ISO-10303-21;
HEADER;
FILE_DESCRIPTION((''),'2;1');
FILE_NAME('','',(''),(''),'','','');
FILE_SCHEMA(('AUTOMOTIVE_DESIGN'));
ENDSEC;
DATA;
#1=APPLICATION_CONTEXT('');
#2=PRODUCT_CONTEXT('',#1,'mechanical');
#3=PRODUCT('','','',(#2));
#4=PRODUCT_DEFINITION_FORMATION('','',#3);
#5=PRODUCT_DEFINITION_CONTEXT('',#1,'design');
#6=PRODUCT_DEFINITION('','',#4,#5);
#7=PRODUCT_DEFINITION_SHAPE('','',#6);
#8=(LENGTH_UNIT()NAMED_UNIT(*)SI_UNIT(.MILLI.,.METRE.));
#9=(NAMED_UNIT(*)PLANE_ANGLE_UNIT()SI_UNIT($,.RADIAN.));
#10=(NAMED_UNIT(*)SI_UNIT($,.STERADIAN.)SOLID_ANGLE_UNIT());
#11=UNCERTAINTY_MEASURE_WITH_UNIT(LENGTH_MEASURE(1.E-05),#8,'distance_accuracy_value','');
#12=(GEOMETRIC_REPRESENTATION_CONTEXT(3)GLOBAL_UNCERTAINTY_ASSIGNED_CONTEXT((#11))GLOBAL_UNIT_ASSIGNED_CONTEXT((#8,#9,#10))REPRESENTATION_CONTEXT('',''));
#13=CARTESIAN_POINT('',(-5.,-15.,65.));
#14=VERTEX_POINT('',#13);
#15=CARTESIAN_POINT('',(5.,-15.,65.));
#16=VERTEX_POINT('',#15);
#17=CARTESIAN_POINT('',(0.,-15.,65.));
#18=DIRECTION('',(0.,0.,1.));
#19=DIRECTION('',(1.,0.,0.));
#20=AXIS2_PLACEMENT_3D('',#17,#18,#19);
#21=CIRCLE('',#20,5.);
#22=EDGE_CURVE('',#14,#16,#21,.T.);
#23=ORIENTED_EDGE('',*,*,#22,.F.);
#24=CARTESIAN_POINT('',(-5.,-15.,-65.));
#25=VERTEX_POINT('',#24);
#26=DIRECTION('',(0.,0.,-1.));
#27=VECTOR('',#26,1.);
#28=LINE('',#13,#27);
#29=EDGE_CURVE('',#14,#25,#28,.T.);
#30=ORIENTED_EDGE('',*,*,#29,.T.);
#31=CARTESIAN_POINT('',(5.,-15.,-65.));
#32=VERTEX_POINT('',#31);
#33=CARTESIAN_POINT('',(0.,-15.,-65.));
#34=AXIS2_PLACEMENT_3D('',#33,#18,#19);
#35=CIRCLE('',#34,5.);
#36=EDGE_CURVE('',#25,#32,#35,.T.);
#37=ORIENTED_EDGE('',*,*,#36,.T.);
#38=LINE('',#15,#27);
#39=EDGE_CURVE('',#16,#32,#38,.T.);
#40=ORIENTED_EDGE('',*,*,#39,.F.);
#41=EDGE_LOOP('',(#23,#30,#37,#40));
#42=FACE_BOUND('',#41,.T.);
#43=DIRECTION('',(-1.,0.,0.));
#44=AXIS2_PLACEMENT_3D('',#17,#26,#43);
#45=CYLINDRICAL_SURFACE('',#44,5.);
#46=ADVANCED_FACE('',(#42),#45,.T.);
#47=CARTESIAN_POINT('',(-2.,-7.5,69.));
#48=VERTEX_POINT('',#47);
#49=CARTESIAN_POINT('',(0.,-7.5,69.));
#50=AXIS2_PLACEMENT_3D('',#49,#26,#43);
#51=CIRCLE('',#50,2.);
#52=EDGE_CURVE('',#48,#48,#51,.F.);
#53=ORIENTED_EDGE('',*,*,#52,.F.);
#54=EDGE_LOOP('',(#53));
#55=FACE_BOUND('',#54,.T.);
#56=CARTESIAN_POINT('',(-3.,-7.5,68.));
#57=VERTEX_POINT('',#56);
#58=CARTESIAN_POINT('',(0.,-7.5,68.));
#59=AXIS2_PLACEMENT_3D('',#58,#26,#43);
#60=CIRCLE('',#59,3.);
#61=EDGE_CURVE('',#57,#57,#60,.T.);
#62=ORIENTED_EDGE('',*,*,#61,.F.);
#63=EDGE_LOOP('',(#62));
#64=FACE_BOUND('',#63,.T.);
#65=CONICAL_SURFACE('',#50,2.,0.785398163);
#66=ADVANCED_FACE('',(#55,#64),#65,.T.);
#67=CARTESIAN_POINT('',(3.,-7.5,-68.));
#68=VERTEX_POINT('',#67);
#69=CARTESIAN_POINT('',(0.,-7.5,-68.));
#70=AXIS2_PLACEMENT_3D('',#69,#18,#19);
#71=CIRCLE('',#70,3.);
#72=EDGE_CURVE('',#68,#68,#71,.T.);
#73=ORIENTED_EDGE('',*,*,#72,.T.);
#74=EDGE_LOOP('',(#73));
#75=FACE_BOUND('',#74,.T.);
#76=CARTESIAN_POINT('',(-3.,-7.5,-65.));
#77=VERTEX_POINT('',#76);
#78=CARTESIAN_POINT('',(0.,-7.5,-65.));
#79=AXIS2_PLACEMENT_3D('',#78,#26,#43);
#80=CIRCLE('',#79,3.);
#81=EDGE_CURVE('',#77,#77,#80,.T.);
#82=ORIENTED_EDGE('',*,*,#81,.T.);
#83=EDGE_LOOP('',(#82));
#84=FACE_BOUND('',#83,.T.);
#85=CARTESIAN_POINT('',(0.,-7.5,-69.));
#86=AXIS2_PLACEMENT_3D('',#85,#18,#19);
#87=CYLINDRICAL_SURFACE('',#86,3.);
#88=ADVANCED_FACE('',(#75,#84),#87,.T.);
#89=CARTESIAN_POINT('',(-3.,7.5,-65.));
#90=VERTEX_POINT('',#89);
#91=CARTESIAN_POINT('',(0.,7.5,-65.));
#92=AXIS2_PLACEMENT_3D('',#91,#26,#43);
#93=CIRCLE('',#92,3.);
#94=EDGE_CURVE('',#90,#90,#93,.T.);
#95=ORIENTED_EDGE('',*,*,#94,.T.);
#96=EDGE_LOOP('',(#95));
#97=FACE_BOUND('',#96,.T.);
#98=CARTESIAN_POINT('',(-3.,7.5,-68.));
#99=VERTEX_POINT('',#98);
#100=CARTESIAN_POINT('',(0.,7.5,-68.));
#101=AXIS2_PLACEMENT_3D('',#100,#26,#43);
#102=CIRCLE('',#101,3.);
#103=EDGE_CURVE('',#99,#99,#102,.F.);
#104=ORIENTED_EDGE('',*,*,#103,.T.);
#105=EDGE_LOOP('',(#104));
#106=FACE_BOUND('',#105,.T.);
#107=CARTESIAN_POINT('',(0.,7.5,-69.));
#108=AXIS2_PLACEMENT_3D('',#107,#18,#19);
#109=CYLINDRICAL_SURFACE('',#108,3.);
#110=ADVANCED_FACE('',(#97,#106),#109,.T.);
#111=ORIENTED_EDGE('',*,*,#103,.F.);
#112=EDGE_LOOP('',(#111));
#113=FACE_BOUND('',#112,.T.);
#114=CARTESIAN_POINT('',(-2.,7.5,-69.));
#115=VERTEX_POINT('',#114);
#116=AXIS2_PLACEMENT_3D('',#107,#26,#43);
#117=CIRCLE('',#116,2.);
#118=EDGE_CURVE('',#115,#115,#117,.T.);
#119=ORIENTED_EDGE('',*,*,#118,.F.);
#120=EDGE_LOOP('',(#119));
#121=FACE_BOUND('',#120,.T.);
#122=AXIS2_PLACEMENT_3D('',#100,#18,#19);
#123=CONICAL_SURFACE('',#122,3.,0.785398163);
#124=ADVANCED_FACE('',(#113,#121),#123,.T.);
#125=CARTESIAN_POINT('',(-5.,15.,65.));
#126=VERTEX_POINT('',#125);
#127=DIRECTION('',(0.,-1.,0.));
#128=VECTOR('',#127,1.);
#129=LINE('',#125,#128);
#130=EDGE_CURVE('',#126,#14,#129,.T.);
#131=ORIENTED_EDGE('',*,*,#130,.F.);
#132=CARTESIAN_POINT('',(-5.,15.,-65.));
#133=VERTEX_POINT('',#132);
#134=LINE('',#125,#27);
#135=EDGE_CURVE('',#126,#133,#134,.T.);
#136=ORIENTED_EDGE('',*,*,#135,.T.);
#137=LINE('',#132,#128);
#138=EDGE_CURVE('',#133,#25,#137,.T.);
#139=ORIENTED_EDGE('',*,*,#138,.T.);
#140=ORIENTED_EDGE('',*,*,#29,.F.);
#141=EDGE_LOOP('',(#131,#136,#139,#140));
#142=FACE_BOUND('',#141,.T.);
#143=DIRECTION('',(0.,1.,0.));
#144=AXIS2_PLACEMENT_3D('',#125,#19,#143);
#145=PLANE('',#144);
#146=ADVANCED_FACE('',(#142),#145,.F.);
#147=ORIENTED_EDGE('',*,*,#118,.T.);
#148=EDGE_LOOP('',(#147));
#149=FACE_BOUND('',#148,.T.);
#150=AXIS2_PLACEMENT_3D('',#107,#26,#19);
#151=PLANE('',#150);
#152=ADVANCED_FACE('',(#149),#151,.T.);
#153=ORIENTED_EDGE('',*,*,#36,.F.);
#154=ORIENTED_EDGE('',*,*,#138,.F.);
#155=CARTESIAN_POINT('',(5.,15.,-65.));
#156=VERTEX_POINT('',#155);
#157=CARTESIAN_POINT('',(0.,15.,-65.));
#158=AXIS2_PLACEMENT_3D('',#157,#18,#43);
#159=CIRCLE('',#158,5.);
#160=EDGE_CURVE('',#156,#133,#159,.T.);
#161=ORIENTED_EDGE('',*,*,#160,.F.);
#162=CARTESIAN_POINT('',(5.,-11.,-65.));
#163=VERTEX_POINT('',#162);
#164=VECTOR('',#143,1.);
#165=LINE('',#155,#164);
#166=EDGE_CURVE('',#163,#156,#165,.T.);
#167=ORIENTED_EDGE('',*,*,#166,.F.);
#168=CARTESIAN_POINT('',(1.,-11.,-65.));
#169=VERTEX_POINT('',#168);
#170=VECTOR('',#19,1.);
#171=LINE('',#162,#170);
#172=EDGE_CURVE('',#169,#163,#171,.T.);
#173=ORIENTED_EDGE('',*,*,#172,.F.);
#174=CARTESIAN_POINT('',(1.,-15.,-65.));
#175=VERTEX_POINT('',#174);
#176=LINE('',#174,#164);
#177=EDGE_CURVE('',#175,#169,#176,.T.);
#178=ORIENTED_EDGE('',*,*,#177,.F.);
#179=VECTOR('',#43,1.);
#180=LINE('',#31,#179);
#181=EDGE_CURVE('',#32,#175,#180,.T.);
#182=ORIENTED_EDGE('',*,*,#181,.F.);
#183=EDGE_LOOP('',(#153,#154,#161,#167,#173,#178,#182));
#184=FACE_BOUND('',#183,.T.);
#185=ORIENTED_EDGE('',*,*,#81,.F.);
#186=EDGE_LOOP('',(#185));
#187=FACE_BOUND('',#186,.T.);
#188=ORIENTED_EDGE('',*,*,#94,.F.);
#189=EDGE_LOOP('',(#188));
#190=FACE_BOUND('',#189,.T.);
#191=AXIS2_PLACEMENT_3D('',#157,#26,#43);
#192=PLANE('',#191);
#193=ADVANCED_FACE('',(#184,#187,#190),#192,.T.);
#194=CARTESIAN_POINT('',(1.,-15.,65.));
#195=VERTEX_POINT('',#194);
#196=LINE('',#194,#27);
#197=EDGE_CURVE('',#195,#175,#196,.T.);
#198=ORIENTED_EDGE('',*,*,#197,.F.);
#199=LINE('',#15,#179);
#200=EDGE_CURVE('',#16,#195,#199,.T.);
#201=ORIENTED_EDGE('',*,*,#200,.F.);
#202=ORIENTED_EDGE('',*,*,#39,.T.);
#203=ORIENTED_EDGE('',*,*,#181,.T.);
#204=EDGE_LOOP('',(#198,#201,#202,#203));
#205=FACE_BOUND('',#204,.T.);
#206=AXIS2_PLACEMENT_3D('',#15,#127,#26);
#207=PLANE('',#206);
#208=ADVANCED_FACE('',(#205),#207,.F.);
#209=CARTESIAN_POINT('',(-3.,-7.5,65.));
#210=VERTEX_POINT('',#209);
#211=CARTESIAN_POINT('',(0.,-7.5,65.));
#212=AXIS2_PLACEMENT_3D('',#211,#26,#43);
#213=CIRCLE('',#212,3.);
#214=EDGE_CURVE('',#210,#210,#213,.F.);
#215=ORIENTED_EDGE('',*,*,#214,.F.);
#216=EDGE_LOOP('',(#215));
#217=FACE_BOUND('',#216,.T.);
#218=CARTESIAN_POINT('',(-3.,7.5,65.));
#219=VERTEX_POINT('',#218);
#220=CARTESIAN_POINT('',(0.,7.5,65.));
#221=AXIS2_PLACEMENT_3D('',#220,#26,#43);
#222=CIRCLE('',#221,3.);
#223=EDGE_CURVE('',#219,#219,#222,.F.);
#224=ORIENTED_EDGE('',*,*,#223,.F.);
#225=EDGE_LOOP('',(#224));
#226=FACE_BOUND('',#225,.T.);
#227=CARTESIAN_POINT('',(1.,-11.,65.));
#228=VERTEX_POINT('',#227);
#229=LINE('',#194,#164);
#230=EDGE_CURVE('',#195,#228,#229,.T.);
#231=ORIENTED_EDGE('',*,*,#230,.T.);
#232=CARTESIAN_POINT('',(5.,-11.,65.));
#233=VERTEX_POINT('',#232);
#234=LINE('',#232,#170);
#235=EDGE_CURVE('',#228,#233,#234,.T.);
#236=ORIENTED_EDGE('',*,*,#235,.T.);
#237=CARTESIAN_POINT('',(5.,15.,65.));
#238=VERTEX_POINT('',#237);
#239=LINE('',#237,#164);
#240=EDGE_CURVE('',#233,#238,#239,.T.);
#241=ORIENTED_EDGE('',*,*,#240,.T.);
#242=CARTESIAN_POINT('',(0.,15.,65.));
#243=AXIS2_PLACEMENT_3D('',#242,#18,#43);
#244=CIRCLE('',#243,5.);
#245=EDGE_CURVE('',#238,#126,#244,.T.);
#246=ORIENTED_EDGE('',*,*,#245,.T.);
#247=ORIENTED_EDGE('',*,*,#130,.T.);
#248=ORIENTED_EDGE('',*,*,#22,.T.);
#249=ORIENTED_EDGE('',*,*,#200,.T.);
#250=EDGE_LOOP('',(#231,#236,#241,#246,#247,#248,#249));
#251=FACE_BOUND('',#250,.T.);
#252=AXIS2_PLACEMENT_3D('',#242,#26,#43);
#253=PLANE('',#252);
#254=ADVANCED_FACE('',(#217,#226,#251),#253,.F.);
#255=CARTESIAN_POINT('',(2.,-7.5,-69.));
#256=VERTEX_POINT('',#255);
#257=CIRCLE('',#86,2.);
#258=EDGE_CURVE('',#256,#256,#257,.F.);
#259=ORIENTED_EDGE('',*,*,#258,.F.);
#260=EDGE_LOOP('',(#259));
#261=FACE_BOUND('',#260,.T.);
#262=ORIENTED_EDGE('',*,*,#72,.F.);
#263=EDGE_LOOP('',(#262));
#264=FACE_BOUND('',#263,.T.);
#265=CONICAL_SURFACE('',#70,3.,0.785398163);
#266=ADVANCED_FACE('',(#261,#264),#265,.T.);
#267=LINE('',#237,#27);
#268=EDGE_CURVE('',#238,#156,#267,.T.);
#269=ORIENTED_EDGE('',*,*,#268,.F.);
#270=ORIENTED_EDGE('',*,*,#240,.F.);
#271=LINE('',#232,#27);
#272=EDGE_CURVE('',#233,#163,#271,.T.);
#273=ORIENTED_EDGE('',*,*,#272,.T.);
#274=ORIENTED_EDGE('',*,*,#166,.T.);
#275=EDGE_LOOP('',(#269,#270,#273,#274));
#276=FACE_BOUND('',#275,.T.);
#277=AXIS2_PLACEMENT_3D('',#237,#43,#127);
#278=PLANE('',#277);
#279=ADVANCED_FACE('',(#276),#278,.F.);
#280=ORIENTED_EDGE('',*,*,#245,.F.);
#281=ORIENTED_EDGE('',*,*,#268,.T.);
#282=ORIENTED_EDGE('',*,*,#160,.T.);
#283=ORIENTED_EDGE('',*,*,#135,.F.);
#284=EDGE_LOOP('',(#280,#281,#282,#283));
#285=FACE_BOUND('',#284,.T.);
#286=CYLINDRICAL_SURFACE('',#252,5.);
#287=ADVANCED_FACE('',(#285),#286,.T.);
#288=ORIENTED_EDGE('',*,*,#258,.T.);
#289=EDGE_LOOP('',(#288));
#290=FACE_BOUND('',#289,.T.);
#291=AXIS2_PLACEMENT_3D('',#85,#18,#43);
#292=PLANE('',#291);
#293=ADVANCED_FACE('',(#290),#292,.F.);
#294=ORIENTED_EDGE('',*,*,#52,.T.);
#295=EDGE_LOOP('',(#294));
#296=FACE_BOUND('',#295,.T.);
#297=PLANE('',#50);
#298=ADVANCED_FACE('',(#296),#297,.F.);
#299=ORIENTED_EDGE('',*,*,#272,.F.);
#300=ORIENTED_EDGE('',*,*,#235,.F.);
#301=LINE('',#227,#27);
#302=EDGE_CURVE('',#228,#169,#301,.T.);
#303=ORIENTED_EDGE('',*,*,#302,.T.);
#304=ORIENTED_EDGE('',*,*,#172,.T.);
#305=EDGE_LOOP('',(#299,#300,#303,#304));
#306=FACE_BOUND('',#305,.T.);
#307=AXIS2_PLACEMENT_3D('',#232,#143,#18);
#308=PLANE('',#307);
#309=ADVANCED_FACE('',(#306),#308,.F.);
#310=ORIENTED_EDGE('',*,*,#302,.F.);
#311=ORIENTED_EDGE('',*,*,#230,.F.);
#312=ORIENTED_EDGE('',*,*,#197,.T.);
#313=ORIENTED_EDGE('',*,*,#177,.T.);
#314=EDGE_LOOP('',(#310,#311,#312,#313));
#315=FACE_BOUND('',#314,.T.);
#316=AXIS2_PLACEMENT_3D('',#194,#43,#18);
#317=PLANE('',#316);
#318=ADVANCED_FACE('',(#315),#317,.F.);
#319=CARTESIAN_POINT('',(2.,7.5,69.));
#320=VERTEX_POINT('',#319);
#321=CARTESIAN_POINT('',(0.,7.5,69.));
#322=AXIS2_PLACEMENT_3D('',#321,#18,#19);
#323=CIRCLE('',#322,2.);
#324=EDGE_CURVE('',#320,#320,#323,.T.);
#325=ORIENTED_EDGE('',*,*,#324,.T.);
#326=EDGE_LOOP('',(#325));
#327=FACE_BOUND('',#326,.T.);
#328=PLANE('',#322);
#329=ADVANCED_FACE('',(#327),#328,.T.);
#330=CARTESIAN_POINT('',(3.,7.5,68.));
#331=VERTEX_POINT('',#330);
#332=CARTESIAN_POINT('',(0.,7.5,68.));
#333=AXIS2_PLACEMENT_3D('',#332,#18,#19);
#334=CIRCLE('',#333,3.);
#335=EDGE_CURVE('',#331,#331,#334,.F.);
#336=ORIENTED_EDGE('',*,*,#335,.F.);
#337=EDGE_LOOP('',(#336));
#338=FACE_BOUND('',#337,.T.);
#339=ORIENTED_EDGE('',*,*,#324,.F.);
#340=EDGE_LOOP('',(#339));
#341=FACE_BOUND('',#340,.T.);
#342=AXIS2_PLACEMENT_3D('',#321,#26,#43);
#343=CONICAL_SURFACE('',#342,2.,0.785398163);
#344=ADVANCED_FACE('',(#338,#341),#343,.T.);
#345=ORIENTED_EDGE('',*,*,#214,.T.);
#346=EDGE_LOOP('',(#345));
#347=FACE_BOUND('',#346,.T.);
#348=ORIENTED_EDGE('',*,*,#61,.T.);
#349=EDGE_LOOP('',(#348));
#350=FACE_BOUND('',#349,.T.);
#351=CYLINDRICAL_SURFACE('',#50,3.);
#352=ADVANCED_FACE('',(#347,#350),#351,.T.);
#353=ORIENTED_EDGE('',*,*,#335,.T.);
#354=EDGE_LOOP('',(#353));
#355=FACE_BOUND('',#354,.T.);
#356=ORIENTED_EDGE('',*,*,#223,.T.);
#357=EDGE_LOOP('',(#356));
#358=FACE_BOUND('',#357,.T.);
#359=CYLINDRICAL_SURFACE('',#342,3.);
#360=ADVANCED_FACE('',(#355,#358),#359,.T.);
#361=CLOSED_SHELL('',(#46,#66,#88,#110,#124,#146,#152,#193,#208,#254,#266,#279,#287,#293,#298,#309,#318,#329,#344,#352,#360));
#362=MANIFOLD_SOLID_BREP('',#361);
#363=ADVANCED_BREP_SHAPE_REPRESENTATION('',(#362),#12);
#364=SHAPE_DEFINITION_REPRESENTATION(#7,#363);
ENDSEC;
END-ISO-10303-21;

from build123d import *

# Parameters (mm, degrees)
EXTRUDE_1_DEPTH            = 65
SKETCH_2_R                 = 3
EXTRUDE_2_DEPTH            = 4
CHAMFER_1_SIZE             = 1
CHAMFER_1_OF_MIRROR_1_SIZE = 1


with BuildPart() as part:
    # 草圖1 → 伸長1 (new, symmetric)
    with BuildSketch(Plane.XY):
        with BuildLine():
            Line((-5, 15), (-5, -15))
            ThreePointArc((-5, -15), (0, -20), (5, -15))
            Line((5, -15), (1, -15))
            Line((1, -15), (1, -11))
            Line((1, -11), (5, -11))
            Line((5, -11), (5, 15))
            ThreePointArc((5, 15), (0, 20), (-5, 15))
        make_face()
    extrude(amount=EXTRUDE_1_DEPTH, both=True)

    # 草圖2 → 伸長2 (add)
    with BuildSketch(Plane.XY.offset(65)):
        with Locations(Location((0, 7.5, 0), (0, 0, 180))):
            Circle(SKETCH_2_R)
        with Locations(Location((0, -7.5, 0), (0, 0, 180))):
            Circle(SKETCH_2_R)
    extrude_2 = extrude(amount=EXTRUDE_2_DEPTH)

    # 導角1
    chamfer_1_edges = [part.edges().sort_by_distance(p)[0] for p in [
        (3, 7.5, 69),
        (3, -7.5, 69),
    ]]
    chamfer(chamfer_1_edges, length=CHAMFER_1_SIZE)

    # 鏡射1: 伸長2 across plane
    add(extrude_2.mirror(Plane.XY))

    # 導角1 of 鏡射1
    chamfer_1_of_mirror_1_edges = [part.edges().sort_by_distance(p)[0] for p in [
        (3, 7.5, -69),
        (3, -7.5, -69),
    ]]
    chamfer(chamfer_1_of_mirror_1_edges, length=CHAMFER_1_OF_MIRROR_1_SIZE)


solid = part.part
